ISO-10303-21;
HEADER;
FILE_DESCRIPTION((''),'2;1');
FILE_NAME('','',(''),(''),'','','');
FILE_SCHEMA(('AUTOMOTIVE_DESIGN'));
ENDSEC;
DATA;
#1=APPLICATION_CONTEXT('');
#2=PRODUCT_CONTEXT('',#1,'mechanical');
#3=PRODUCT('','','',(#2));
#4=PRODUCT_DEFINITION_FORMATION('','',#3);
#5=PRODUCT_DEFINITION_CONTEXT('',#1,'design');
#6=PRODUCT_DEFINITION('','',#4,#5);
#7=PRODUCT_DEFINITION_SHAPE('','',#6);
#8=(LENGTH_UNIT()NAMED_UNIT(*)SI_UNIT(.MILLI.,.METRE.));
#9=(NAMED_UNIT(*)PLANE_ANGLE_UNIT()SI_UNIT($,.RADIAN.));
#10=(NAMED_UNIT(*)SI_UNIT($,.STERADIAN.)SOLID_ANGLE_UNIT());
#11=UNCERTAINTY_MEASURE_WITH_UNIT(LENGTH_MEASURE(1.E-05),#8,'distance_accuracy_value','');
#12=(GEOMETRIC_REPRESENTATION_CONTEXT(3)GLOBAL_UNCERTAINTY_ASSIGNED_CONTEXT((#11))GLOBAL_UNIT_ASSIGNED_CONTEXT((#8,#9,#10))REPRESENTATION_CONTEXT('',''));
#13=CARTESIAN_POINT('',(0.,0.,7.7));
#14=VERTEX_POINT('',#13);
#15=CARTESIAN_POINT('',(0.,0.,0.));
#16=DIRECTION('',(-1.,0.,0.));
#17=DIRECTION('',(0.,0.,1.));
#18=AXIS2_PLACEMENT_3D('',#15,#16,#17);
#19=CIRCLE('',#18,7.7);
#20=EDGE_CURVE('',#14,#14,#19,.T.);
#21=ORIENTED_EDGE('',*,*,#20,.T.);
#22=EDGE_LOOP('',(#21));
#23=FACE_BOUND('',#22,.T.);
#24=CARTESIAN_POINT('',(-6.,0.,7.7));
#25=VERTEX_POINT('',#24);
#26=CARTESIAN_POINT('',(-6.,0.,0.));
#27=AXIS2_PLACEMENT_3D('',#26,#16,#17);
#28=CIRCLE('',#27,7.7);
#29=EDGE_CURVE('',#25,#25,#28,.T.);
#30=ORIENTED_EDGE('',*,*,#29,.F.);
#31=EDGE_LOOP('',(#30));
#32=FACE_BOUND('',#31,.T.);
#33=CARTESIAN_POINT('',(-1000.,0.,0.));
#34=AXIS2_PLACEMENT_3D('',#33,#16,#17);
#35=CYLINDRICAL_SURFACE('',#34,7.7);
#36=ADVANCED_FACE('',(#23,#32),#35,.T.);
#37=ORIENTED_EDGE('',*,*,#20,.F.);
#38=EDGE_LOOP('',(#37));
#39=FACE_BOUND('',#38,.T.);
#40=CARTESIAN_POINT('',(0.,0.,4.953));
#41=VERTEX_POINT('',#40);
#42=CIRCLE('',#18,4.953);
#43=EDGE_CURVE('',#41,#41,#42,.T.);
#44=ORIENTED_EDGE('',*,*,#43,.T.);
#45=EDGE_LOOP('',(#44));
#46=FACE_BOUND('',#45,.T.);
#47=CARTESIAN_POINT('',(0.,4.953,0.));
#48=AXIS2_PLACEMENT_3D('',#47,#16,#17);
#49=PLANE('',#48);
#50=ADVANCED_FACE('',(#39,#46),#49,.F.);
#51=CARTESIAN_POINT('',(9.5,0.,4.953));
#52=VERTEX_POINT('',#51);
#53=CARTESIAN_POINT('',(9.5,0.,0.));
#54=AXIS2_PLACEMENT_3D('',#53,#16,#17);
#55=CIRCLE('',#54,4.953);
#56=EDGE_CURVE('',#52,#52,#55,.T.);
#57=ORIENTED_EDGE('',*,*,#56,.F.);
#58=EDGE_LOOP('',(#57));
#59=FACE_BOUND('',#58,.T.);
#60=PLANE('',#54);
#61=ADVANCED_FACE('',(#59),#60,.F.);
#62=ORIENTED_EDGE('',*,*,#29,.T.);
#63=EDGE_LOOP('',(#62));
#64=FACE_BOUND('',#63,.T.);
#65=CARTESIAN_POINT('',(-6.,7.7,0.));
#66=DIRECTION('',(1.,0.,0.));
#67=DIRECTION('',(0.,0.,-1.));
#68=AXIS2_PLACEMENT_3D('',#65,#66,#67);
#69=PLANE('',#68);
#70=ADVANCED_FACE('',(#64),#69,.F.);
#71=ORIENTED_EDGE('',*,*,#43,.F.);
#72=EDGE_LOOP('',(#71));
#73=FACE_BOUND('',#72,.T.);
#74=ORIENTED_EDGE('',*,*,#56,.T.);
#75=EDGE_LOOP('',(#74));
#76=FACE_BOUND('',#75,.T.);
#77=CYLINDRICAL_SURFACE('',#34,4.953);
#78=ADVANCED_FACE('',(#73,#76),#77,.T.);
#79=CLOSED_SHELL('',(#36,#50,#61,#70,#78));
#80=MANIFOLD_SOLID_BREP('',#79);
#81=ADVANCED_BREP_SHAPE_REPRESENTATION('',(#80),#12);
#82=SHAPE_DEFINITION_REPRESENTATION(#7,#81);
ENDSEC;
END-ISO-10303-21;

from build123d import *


with BuildPart() as part:
    # Plug_ORB4 Sketch → Plug_ORB4 (revolve)
    with BuildSketch(Plane.XY):
        Polygon((9.5, 0), (9.5, 4.953), (0, 4.953), (0, 7.7), (-6, 7.7), (-6, 0), align=None)
    revolve(axis=Axis((-1000, 0, 0), (1, 0, 0)))


solid = part.part
